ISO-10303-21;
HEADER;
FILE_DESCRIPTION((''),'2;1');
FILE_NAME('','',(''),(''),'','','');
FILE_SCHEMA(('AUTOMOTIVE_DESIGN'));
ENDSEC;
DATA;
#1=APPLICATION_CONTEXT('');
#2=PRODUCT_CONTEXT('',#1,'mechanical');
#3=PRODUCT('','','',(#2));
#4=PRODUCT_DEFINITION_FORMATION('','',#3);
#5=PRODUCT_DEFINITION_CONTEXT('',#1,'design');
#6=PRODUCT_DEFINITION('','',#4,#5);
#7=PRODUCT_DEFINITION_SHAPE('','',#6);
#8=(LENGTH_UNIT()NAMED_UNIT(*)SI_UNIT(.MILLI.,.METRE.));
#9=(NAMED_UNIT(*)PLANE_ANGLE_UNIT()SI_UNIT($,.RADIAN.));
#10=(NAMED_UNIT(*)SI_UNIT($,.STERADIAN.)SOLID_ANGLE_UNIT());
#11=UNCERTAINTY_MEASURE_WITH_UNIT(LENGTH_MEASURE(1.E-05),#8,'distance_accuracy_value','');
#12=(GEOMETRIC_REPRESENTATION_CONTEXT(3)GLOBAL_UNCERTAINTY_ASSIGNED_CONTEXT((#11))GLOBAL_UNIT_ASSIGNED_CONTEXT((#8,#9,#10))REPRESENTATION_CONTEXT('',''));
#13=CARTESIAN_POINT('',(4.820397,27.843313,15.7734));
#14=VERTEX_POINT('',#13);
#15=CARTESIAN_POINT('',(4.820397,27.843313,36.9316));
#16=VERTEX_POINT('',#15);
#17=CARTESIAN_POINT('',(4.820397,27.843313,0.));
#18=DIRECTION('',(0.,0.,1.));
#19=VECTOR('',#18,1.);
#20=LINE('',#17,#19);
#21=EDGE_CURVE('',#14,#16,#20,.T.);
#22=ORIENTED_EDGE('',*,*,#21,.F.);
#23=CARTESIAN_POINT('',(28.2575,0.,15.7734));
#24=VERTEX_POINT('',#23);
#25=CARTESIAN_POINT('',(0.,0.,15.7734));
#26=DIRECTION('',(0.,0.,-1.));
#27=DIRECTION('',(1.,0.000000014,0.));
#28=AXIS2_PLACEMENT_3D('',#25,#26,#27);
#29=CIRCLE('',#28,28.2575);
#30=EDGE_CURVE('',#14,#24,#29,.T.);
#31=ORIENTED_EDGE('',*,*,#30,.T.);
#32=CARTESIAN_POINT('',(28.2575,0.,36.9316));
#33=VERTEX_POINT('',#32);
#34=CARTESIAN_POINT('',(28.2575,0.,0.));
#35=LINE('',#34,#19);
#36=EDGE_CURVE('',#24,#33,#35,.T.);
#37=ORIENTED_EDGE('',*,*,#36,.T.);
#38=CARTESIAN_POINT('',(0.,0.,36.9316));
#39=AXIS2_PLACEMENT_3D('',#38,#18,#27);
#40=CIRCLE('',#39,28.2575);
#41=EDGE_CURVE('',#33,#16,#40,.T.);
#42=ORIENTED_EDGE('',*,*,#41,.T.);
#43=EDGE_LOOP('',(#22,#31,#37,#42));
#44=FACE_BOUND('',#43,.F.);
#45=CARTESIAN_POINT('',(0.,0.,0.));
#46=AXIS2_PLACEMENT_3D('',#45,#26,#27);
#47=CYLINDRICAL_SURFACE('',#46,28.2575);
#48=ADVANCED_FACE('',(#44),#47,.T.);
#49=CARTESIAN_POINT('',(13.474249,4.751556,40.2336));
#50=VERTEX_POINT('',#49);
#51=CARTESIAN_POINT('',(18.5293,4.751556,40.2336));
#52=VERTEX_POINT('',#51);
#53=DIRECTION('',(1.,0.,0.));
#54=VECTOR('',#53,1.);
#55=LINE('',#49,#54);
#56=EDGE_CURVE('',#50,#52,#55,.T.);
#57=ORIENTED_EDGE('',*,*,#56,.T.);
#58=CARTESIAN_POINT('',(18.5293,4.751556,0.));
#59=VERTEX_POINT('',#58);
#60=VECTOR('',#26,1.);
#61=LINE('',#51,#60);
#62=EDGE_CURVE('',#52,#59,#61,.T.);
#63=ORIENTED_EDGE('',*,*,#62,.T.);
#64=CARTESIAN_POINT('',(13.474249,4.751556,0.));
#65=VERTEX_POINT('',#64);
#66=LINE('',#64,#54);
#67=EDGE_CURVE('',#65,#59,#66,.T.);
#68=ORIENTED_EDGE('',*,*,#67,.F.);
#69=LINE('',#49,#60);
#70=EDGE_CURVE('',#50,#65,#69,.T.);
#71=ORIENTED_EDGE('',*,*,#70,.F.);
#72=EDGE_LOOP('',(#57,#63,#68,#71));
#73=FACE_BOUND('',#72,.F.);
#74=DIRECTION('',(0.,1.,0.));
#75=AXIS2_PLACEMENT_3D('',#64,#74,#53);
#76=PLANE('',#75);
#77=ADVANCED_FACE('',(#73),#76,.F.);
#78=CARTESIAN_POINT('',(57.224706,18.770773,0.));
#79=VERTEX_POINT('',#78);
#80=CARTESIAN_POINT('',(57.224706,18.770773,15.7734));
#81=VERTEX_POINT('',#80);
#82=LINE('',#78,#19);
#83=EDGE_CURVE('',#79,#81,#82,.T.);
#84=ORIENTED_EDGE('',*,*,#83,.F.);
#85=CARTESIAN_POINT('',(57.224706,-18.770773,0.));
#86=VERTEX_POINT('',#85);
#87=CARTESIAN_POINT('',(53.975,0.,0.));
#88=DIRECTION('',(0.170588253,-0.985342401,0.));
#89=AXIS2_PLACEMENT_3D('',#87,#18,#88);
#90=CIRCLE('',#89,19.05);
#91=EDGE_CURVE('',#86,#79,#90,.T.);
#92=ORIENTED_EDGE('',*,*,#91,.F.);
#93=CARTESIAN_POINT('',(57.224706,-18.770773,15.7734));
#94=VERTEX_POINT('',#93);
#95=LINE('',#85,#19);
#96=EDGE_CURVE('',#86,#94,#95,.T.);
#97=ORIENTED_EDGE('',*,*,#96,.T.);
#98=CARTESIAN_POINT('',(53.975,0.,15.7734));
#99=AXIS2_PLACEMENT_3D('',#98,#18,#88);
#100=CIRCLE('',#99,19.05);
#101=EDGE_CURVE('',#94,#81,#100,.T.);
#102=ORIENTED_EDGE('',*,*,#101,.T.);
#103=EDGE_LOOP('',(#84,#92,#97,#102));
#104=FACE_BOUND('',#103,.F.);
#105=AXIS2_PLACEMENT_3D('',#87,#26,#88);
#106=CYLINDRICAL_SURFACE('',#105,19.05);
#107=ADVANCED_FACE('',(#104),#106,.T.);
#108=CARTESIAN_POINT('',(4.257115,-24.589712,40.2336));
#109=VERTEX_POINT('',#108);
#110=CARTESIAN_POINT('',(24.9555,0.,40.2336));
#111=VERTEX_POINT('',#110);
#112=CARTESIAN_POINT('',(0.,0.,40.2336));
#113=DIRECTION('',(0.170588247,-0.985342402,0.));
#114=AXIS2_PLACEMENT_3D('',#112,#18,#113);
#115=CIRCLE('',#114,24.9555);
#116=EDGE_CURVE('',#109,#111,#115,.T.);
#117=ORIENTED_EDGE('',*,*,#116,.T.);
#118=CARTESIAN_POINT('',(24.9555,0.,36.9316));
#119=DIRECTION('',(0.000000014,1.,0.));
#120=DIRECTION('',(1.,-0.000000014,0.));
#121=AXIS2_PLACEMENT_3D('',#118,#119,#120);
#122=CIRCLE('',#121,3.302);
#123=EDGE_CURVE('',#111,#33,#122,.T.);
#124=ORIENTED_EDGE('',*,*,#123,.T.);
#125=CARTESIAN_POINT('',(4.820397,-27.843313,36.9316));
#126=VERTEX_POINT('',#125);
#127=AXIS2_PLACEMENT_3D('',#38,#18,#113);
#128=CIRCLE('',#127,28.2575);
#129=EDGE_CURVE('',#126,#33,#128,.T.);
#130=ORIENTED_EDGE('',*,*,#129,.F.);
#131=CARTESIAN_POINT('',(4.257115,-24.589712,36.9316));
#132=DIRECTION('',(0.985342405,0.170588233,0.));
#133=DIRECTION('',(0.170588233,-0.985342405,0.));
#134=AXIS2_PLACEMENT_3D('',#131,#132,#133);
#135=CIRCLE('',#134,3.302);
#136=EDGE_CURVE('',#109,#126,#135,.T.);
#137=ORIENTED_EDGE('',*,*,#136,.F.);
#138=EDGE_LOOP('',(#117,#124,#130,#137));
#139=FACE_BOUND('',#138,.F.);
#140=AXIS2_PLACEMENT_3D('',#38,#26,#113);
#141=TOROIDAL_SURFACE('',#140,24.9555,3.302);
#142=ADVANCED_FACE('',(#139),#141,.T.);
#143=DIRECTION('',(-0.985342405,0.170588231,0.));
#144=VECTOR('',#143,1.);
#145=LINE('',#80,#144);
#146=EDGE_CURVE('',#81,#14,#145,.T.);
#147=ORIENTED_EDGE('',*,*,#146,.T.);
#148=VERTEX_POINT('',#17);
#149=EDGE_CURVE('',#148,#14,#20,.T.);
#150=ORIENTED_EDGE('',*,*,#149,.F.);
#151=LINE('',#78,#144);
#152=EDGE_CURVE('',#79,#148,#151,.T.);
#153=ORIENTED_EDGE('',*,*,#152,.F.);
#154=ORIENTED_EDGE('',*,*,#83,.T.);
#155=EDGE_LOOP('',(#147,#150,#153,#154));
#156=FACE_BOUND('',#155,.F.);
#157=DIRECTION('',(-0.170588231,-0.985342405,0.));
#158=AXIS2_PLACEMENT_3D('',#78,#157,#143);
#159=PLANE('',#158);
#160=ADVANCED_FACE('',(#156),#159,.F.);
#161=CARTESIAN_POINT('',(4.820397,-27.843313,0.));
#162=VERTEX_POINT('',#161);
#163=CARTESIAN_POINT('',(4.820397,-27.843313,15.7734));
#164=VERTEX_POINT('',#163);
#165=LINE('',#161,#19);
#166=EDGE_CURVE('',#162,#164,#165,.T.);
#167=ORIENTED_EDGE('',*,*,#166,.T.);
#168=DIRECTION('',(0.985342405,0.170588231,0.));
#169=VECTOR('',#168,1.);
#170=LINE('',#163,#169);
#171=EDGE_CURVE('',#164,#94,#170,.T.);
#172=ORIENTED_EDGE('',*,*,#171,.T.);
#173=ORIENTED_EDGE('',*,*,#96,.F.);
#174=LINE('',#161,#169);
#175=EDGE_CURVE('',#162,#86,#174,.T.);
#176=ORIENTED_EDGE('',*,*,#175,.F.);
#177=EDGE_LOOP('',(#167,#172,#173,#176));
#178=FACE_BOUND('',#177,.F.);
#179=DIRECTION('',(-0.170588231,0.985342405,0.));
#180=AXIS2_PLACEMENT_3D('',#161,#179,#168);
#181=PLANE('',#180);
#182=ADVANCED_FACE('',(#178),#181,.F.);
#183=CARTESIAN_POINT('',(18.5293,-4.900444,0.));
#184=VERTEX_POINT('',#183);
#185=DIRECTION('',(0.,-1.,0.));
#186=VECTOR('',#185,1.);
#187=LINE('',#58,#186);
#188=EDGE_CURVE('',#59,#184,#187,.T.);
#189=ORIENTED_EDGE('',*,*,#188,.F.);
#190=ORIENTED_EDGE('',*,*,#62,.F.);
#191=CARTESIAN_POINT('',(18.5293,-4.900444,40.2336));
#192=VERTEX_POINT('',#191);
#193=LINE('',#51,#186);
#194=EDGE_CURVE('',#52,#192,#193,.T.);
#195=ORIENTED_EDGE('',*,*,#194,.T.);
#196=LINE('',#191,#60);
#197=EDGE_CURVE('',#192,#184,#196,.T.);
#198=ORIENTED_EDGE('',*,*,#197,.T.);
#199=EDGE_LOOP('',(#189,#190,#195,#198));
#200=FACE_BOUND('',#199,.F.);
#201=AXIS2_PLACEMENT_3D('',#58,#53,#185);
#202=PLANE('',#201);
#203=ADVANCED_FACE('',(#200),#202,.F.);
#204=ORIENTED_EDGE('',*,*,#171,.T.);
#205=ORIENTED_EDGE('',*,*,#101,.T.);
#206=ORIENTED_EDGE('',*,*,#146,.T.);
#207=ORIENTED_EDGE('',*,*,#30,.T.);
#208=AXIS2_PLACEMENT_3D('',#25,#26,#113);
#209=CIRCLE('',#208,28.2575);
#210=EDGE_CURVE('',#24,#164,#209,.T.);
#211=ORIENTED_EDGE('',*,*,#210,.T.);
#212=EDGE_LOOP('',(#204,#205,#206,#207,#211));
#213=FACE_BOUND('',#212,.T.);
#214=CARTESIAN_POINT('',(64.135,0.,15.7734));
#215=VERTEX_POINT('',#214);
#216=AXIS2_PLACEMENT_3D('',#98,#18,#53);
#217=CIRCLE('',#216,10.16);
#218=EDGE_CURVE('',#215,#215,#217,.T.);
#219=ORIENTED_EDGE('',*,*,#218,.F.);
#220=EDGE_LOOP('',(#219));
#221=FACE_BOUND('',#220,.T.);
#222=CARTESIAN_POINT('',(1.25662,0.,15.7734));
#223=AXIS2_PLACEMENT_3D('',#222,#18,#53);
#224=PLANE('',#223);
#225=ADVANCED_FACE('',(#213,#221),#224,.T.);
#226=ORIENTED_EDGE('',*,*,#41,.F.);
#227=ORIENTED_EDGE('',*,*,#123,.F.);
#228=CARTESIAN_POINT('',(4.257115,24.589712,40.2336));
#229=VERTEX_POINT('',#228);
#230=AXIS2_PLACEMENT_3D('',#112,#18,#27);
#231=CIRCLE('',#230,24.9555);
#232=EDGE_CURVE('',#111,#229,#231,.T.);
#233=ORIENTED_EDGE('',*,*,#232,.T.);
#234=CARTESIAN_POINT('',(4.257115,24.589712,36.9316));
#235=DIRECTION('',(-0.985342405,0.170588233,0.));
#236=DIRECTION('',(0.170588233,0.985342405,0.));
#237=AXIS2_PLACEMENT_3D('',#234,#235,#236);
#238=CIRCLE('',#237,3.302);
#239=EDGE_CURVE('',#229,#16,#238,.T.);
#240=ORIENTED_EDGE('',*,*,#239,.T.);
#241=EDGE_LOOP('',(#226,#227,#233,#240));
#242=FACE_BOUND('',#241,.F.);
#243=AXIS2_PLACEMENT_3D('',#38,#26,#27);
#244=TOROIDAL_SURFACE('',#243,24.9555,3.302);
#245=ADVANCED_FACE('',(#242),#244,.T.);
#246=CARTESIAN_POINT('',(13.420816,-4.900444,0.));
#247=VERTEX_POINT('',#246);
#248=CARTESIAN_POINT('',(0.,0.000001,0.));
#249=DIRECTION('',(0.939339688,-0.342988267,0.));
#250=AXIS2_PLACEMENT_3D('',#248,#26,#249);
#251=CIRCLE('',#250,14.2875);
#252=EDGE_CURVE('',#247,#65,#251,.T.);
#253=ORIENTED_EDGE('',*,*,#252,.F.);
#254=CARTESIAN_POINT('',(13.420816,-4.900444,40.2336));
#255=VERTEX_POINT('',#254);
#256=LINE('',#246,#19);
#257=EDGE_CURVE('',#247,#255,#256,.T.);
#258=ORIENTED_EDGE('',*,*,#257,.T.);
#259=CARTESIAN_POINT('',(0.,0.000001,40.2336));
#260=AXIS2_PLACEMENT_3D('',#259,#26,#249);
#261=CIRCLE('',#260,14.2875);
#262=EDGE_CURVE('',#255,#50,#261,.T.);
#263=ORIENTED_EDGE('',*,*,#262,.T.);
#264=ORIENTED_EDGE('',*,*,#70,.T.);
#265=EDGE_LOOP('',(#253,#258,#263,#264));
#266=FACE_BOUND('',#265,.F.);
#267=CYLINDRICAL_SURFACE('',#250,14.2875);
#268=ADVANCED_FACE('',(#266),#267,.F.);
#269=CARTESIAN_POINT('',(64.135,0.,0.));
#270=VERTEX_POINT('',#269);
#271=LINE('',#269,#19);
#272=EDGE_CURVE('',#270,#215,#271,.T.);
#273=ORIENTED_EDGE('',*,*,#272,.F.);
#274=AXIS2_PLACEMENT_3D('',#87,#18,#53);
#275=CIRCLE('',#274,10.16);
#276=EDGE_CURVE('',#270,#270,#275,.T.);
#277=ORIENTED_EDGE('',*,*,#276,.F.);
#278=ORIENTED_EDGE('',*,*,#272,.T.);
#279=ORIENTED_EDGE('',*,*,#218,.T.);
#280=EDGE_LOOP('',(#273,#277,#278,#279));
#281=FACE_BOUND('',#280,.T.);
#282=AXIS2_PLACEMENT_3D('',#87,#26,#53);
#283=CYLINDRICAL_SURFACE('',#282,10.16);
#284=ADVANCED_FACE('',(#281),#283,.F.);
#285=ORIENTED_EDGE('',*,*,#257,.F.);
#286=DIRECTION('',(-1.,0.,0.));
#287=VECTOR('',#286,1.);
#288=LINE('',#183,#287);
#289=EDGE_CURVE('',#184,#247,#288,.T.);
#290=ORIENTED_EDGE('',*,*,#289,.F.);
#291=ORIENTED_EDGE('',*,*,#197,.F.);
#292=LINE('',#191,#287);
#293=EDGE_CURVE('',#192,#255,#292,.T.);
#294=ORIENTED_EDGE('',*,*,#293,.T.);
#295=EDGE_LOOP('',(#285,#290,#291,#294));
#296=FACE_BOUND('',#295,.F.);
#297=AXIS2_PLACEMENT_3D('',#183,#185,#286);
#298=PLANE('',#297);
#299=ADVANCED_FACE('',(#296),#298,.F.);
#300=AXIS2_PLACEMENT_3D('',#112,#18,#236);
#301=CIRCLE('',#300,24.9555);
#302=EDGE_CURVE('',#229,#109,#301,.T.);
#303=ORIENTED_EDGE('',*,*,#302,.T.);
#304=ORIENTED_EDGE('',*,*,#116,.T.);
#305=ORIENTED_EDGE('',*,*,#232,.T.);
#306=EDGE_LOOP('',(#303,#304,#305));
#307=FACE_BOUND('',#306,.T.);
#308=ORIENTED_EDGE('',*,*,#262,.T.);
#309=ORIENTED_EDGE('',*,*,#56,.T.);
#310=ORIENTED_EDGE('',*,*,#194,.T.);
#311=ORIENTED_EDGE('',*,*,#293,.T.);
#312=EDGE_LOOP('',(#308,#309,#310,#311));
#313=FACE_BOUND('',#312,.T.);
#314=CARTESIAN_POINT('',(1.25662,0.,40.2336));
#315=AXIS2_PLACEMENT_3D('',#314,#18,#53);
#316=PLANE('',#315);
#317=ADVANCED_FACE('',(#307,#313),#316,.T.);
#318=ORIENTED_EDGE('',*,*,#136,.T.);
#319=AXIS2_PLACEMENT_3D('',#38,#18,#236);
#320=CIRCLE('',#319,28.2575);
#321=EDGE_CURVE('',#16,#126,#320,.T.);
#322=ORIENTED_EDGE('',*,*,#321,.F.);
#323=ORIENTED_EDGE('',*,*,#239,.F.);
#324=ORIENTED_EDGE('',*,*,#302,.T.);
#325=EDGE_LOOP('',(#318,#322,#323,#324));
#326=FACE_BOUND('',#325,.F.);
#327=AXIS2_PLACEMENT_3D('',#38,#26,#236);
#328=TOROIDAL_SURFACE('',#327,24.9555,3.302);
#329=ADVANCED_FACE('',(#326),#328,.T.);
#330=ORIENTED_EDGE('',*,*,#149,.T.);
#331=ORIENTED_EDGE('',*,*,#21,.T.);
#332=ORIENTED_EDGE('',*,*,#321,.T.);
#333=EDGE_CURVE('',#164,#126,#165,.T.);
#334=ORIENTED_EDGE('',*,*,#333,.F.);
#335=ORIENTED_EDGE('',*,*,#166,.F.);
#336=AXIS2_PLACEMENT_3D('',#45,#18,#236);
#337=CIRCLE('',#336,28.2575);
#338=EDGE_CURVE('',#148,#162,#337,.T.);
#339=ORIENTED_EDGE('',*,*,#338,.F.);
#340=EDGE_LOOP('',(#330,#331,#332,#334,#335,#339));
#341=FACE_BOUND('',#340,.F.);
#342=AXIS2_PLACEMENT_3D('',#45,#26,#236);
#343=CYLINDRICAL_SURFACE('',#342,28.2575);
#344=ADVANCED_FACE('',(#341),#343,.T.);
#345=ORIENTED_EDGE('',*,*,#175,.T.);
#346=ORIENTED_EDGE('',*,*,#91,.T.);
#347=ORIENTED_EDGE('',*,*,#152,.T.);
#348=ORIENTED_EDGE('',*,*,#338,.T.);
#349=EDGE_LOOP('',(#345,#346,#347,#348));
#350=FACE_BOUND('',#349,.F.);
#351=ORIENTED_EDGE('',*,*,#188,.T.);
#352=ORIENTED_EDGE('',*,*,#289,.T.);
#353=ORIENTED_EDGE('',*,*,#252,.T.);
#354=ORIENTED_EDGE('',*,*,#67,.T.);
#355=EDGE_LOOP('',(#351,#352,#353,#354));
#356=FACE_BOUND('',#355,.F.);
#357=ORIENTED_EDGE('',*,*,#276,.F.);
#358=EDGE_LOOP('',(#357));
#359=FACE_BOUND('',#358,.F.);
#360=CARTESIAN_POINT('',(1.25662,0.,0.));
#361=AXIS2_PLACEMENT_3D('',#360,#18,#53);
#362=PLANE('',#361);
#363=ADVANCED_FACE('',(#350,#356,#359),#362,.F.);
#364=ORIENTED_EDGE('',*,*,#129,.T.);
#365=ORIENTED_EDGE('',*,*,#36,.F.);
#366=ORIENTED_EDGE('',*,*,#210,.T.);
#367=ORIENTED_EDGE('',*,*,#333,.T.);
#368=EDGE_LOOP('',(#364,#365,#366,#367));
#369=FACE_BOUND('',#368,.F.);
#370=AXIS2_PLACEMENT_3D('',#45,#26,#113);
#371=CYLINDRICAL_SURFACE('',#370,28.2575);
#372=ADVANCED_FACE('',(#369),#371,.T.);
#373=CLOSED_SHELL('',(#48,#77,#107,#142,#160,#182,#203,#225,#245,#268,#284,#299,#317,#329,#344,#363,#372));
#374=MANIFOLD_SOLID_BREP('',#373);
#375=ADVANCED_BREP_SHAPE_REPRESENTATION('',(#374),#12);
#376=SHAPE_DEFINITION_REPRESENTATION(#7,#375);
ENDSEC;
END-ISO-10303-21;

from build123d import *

# Parameters (mm, degrees)
F1_DEPTH = 40.2336
F0_R     = 10.16
F2_DEPTH = 15.7734
F3_R     = 3.302


with BuildPart() as f1:
    # F0 (on Top) → F1 (new body)
    with BuildSketch(Plane.XY):
        with BuildLine():
            ThreePointArc((4.820397, -27.843313), (21.618264, -18.197169), (28.2575, 0))
            ThreePointArc((28.2575, 0), (21.618264, 18.197169), (4.820397, 27.843313))
            ThreePointArc((4.820397, 27.843313), (-28.2575, 0), (4.820397, -27.843313))
        make_face()
        with BuildLine():
            ThreePointArc((13.420816, -4.900444), (-14.287281, 0.079093), (13.474249, 4.751556))
            Line((13.474249, 4.751556), (18.5293, 4.751556))
            Line((18.5293, 4.751556), (18.5293, -4.900444))
            Line((18.5293, -4.900444), (13.420816, -4.900444))
        make_face(mode=Mode.SUBTRACT)
    extrude(amount=F1_DEPTH)

    # F0 (on Top) → F2 (join)
    with BuildSketch(Plane.XY):
        with BuildLine():
            ThreePointArc((4.820397, -27.843313), (21.618264, -18.197169), (28.2575, 0))
            ThreePointArc((28.2575, 0), (21.618264, 18.197169), (4.820397, 27.843313))
            ThreePointArc((4.820397, 27.843313), (-28.2575, 0), (4.820397, -27.843313))
        make_face()
        with BuildLine():
            ThreePointArc((13.420816, -4.900444), (-14.287281, 0.079093), (13.474249, 4.751556))
            Line((13.474249, 4.751556), (18.5293, 4.751556))
            Line((18.5293, 4.751556), (18.5293, -4.900444))
            Line((18.5293, -4.900444), (13.420816, -4.900444))
        make_face(mode=Mode.SUBTRACT)
        with BuildLine():
            ThreePointArc((4.820397, 27.843313), (21.618264, 18.197169), (28.2575, 0))
            ThreePointArc((28.2575, 0), (21.618264, -18.197169), (4.820397, -27.843313))
            Line((4.820397, -27.843313), (57.224706, -18.770773))
            ThreePointArc((57.224706, -18.770773), (73.025, 0), (57.224706, 18.770773))
            Line((57.224706, 18.770773), (4.820397, 27.843313))
        make_face()
        with Locations((53.975, 0)):
            Circle(F0_R, mode=Mode.SUBTRACT)
    extrude(amount=F2_DEPTH)

    # F3
    f3_edges = [f1.edges().sort_by_distance(p)[0] for p in [
        (-4.820397, 27.843313, 40.2336),
    ]]
    fillet(f3_edges, radius=F3_R)


solid = f1.part
